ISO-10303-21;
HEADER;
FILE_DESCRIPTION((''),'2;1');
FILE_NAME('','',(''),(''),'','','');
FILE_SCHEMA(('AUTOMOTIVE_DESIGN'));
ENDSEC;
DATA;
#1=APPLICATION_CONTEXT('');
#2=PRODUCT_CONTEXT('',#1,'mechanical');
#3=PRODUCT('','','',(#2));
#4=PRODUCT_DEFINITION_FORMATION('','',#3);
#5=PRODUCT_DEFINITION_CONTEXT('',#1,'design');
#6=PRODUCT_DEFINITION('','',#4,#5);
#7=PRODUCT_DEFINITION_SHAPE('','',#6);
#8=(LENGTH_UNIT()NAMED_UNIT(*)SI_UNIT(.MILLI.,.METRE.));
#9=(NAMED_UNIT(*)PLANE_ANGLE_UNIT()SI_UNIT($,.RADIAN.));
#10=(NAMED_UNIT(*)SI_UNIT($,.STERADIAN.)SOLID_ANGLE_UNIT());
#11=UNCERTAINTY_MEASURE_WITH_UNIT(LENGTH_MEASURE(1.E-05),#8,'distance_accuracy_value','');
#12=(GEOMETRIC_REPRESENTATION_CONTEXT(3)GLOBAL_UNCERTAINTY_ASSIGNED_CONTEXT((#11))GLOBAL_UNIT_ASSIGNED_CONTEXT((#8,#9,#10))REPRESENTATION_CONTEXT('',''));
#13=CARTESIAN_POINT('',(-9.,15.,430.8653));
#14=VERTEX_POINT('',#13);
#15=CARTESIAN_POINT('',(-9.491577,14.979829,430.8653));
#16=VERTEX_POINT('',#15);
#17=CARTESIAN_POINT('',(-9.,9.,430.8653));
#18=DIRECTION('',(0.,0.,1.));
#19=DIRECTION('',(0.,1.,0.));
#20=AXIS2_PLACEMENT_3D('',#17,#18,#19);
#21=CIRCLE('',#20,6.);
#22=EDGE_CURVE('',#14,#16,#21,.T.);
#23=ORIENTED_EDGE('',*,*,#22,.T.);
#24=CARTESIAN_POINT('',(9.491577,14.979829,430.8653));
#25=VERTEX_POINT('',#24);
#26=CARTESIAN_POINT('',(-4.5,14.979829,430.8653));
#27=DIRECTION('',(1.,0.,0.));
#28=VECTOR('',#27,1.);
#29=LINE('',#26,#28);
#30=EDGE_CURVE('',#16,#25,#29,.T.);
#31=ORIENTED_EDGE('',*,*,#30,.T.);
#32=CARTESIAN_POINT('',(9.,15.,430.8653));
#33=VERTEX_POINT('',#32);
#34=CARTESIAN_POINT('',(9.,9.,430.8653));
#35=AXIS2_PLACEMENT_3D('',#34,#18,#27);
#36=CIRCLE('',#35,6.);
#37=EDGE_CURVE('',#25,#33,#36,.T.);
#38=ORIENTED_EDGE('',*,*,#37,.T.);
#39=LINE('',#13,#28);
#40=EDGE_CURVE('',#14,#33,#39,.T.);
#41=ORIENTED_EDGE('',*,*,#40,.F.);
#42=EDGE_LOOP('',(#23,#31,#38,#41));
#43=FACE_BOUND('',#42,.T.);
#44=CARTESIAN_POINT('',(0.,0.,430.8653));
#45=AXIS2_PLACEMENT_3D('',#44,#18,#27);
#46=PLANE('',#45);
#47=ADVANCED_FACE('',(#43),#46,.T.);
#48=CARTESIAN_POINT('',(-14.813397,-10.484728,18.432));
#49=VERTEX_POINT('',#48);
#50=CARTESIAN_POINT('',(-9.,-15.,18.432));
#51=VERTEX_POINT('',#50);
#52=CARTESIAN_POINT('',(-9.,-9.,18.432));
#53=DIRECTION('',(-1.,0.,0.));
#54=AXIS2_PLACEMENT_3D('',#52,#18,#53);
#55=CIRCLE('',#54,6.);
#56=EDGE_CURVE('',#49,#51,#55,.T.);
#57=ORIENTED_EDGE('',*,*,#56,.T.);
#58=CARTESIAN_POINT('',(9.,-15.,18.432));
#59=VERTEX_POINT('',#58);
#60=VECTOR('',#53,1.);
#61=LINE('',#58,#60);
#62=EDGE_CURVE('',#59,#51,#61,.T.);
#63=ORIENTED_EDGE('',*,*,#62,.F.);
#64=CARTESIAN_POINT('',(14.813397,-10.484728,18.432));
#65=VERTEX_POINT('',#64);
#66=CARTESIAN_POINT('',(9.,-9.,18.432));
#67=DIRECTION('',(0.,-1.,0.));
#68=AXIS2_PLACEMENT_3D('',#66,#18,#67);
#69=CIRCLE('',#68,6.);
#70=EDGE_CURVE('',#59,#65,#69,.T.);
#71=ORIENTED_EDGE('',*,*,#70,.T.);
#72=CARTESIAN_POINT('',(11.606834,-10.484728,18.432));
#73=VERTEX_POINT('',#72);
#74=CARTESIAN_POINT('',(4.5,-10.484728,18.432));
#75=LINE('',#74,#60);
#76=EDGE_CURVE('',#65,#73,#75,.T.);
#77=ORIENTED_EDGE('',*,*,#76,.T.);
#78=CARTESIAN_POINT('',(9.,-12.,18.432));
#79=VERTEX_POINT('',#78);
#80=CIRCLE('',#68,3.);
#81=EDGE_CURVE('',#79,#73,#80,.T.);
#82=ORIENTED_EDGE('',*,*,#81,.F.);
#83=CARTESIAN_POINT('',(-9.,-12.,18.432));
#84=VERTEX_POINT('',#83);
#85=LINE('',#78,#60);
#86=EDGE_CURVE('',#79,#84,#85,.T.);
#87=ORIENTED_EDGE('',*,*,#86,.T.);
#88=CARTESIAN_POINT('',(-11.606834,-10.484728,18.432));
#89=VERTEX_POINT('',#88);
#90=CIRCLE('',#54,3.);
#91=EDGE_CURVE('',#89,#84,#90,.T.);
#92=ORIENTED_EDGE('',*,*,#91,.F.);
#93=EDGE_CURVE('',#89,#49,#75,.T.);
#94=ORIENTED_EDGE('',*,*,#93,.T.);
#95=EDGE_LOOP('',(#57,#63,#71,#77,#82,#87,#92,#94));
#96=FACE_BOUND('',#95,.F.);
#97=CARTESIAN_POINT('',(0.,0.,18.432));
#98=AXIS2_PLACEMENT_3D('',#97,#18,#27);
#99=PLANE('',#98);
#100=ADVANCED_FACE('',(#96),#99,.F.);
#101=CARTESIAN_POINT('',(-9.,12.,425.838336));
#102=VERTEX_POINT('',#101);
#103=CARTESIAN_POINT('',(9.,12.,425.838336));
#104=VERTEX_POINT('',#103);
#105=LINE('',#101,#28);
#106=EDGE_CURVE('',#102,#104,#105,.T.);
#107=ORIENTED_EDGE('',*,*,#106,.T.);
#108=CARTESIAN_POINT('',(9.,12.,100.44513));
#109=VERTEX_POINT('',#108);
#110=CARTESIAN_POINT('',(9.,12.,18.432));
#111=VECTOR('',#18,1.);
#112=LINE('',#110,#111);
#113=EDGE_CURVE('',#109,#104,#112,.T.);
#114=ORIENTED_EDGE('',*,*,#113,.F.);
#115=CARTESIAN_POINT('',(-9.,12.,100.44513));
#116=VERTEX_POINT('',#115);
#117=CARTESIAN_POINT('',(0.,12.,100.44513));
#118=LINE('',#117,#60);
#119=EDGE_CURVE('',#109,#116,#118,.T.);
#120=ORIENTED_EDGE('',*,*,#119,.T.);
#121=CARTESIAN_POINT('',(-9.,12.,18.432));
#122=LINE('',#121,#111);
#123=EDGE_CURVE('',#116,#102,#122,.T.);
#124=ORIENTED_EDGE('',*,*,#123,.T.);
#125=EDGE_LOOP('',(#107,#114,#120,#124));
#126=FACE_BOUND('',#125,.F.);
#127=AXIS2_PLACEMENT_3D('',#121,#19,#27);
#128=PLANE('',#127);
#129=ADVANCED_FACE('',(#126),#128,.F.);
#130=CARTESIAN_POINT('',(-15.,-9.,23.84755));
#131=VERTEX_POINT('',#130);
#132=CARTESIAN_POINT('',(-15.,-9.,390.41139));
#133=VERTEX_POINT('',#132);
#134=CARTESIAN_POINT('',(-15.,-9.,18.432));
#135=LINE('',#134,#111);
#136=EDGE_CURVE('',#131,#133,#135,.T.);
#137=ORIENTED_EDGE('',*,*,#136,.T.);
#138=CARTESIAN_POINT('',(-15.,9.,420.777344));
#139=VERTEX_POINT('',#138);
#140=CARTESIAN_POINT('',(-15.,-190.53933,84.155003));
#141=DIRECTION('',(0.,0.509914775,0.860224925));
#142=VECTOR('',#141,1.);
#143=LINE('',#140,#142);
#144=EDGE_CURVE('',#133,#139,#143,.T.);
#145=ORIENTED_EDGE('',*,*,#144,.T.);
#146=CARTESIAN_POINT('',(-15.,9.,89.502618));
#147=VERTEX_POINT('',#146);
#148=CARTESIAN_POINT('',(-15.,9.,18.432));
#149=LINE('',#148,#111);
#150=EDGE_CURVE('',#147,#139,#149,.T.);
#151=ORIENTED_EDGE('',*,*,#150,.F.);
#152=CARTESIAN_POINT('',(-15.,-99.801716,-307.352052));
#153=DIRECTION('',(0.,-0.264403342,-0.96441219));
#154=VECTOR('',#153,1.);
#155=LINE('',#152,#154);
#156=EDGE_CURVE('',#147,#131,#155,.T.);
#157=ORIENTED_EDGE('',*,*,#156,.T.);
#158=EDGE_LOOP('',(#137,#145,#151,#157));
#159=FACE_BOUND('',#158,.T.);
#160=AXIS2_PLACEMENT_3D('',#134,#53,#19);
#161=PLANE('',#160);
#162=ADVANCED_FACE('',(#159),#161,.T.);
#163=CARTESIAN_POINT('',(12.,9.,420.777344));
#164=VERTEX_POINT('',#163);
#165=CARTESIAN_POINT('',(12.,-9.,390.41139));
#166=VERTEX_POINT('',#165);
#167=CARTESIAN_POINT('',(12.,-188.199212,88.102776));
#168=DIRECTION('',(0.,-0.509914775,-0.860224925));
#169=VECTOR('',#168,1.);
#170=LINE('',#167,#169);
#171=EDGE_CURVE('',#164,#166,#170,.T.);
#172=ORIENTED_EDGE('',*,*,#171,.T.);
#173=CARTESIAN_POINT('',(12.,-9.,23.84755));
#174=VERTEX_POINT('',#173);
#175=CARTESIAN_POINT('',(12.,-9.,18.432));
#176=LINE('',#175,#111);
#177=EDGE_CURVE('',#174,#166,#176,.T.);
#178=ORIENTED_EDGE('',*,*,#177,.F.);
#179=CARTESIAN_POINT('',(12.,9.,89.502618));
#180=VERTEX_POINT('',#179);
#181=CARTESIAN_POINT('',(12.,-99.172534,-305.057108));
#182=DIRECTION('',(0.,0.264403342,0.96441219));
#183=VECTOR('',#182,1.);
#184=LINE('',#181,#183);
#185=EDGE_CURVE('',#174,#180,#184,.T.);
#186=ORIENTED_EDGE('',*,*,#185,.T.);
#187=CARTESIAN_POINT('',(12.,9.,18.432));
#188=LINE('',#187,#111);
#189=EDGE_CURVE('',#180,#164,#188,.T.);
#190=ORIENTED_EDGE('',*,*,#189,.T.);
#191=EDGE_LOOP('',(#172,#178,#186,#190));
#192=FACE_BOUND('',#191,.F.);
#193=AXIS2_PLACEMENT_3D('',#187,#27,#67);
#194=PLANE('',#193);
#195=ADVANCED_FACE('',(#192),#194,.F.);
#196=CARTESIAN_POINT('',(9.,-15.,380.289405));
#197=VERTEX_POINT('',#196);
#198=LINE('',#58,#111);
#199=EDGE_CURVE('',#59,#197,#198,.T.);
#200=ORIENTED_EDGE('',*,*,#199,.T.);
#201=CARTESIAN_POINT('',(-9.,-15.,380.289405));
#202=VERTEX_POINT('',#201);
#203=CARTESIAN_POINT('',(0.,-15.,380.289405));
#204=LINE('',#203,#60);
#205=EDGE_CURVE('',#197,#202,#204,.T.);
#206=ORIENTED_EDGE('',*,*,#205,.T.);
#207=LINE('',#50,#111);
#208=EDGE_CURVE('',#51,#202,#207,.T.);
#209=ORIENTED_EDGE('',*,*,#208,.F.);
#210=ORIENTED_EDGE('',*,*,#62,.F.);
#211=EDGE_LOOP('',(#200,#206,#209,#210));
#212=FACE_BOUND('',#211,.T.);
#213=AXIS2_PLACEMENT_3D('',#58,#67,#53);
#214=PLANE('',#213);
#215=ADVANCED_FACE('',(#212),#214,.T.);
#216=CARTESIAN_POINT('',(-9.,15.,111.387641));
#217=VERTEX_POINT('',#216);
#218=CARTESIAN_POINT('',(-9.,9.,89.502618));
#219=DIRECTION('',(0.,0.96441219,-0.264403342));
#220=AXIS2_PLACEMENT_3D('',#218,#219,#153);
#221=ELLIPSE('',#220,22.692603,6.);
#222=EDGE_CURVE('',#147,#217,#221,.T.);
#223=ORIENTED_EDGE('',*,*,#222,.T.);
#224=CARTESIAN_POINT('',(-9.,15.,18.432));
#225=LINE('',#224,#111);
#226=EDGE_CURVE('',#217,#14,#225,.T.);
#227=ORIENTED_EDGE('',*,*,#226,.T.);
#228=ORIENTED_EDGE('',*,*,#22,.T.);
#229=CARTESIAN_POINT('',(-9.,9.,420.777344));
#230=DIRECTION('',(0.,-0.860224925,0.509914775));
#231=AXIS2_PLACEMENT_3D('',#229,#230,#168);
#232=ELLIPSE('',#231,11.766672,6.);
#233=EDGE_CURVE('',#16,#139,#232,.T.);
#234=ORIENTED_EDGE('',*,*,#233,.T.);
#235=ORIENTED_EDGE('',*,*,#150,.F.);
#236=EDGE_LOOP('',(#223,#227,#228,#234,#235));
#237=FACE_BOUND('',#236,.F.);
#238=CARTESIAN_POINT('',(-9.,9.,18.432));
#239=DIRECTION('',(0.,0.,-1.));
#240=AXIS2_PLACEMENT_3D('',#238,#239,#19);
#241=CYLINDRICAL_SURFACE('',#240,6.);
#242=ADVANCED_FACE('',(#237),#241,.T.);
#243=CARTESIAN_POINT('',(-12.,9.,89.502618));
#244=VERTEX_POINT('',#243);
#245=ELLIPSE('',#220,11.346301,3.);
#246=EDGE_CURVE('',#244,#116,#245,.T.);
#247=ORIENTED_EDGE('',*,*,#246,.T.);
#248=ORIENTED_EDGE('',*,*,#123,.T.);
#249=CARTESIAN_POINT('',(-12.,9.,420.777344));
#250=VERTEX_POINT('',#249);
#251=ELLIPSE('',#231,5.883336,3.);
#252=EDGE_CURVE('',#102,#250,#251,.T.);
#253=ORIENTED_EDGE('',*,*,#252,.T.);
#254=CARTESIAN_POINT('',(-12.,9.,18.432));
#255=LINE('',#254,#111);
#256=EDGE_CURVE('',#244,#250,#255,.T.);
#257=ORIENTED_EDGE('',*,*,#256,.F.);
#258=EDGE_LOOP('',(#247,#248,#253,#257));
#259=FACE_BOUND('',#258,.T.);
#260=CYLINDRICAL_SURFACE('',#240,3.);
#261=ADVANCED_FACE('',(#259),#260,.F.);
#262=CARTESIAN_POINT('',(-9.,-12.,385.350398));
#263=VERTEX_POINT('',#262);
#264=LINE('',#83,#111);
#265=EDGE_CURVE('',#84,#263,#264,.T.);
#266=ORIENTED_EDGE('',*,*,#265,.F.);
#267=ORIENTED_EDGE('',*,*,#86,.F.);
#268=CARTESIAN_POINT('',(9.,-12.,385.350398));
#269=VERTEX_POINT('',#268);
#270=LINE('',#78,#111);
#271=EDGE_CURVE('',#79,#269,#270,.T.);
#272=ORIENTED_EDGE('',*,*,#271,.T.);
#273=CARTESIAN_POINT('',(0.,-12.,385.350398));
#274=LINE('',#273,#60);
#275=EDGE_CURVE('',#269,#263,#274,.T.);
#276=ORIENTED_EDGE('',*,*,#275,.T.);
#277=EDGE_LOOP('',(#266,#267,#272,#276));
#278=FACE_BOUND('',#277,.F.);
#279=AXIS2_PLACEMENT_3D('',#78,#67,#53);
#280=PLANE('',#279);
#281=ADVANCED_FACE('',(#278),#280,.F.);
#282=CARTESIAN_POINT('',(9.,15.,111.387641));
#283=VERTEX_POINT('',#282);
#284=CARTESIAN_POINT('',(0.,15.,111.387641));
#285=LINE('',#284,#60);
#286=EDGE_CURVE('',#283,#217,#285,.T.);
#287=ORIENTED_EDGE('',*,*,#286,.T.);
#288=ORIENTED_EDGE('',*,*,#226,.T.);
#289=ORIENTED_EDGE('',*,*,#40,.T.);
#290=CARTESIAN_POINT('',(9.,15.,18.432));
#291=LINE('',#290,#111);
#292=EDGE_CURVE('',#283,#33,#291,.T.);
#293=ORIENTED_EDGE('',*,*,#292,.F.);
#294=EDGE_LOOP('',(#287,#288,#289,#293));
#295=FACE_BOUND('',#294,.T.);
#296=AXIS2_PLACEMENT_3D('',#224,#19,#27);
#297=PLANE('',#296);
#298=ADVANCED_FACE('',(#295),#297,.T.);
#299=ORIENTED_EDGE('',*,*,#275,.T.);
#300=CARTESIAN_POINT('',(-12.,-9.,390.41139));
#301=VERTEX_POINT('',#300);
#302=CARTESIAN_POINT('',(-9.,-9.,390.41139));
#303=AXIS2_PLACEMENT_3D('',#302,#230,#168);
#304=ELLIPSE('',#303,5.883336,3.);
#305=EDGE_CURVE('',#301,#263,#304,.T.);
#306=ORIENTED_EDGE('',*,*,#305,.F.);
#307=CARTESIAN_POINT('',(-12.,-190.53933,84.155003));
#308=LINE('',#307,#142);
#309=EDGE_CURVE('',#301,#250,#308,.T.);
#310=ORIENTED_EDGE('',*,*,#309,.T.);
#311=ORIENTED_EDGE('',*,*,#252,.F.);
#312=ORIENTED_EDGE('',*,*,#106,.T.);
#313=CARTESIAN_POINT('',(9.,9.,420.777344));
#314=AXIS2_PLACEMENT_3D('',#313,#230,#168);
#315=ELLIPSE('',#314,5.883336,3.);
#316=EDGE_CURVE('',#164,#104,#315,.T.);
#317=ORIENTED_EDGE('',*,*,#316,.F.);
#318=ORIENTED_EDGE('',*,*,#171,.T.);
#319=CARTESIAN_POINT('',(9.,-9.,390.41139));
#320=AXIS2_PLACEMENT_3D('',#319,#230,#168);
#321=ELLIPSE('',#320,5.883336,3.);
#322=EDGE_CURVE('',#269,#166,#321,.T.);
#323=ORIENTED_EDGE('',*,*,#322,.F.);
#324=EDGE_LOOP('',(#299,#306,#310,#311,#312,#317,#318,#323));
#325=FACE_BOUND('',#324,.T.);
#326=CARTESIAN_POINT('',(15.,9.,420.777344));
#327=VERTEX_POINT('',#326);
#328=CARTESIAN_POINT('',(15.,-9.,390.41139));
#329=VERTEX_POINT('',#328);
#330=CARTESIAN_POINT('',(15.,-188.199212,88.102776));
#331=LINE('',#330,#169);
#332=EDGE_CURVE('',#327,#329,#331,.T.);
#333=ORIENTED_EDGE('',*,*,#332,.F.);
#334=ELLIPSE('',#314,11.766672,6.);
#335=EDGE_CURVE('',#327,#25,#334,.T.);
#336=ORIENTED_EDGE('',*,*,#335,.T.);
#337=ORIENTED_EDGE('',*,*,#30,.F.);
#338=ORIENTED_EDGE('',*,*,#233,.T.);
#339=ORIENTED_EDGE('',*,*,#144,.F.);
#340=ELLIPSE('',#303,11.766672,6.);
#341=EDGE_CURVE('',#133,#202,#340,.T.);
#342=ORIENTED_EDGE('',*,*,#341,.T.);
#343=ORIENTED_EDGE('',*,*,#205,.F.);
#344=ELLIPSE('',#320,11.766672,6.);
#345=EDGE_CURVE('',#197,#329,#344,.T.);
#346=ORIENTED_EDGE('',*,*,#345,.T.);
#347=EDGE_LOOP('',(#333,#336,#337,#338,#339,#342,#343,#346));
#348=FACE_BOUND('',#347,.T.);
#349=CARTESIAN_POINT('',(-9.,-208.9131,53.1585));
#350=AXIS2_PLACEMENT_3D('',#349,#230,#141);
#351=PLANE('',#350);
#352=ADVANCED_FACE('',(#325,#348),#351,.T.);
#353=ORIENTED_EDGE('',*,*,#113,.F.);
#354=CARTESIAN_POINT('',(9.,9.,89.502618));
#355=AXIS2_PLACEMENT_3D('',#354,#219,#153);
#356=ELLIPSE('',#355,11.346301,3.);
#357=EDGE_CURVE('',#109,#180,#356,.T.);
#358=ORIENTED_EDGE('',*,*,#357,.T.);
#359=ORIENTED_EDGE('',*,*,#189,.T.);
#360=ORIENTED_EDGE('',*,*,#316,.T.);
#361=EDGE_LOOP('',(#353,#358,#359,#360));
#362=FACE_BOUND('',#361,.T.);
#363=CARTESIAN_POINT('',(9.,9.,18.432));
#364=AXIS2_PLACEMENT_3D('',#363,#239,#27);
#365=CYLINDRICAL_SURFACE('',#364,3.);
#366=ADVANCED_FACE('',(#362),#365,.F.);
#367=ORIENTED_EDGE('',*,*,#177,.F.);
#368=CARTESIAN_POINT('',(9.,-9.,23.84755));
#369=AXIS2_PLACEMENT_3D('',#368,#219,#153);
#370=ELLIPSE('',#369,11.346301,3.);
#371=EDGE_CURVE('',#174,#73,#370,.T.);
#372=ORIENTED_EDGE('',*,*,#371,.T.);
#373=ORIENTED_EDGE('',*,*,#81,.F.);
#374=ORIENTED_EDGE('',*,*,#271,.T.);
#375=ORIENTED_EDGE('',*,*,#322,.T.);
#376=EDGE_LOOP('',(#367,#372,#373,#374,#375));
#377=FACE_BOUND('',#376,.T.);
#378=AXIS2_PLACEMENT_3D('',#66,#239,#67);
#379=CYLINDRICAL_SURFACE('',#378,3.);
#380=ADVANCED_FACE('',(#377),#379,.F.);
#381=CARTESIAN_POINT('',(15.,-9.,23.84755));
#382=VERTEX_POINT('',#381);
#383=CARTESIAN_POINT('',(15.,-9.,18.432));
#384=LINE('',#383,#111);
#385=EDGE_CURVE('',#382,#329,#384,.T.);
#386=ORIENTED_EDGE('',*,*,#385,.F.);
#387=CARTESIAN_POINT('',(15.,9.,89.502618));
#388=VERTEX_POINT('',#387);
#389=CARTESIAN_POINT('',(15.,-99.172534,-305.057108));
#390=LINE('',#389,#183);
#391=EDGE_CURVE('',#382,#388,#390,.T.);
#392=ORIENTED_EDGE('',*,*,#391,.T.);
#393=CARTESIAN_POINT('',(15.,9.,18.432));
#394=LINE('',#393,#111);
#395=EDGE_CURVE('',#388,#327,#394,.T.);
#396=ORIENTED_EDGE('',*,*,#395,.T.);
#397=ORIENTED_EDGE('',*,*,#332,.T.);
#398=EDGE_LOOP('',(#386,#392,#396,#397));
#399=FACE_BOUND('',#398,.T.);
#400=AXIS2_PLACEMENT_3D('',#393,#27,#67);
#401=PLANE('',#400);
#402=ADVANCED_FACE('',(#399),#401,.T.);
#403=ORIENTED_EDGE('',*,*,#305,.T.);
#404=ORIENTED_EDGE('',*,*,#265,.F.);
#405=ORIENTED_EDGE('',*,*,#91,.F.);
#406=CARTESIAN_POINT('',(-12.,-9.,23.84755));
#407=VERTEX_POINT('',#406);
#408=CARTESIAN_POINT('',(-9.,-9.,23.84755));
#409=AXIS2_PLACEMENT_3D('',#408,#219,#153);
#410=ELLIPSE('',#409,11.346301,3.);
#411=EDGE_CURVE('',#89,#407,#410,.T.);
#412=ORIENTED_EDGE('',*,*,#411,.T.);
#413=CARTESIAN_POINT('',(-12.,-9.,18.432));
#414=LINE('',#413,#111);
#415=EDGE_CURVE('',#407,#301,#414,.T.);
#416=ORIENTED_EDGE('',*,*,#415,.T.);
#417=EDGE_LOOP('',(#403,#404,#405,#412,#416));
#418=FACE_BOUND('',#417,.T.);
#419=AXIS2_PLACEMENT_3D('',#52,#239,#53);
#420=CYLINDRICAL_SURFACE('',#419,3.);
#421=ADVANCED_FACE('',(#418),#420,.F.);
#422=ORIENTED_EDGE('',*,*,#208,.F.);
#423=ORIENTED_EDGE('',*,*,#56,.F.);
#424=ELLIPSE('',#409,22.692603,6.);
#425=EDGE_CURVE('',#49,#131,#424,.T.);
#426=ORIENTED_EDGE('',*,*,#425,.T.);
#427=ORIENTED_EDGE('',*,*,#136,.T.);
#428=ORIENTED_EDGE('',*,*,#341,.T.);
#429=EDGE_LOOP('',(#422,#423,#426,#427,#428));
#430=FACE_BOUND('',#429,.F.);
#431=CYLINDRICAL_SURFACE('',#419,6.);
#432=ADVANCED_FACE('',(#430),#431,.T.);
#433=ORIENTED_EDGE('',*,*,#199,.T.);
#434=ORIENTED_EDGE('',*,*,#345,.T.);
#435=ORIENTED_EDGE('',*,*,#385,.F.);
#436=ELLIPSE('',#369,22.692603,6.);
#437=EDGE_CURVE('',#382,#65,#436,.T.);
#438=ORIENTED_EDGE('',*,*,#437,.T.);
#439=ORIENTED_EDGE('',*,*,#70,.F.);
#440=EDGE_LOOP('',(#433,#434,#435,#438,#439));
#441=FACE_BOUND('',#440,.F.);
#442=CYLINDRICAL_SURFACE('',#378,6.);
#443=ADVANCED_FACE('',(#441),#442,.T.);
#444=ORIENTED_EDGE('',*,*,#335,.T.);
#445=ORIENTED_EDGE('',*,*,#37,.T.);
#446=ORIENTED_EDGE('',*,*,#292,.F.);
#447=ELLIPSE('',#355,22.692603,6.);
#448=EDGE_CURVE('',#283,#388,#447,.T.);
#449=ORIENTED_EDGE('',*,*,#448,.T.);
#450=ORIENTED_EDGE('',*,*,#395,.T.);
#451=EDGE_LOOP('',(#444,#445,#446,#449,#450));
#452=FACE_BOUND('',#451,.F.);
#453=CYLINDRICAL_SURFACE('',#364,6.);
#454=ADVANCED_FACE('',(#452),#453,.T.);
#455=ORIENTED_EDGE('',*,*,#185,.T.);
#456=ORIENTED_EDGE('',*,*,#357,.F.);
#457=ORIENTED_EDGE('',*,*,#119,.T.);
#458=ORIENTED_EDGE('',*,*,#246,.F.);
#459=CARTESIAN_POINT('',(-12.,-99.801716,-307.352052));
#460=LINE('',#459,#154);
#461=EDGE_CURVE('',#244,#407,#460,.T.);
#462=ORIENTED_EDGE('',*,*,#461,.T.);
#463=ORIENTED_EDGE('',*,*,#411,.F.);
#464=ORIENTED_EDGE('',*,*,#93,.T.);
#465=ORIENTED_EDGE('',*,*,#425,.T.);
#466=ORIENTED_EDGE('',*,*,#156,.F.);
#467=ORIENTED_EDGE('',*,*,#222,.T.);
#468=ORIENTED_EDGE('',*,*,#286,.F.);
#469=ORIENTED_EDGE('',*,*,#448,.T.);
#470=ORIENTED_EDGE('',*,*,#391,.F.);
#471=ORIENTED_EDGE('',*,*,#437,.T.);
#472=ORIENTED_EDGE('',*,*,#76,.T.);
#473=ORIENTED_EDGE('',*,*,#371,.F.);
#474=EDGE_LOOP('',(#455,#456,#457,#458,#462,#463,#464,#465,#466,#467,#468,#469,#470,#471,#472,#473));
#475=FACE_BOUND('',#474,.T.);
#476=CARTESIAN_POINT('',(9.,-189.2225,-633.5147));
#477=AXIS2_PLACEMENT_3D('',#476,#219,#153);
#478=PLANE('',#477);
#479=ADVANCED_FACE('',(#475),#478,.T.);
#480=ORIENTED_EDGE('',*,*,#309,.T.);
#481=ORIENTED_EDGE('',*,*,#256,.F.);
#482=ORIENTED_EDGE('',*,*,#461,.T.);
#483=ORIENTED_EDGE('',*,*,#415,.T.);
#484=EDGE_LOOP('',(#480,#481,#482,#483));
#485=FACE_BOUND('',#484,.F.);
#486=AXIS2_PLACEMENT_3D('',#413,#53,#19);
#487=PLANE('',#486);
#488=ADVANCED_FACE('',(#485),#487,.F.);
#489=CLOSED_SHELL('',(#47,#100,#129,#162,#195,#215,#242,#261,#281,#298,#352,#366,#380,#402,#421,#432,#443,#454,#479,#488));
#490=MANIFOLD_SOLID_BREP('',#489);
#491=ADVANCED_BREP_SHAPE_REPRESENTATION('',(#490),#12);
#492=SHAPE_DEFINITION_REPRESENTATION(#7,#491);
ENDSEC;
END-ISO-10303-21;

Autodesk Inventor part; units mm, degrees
ref_plane "Start Plane" through (0, 0, 18.432) normal (0, 0, 1) x (1, 0, 0)
ref_plane "End Plane" through (0, 0, 430.8653) normal (0, 0, 1) x (1, 0, 0)
sketch "Sketch" plane through (0, 0, 0) normal (0, 0, 1) x (1, 0, 0)
  line L0 (-15, -9) -> (-15, 9)
  line L1 (-9, 15) -> (9, 15)
  line L2 (15, 9) -> (15, -9)
  line L3 (9, -15) -> (-9, -15)
  arc A0 (-15, -9) -> (-9, -15) centre (-9, -9) ccw
  arc A1 (-9, 15) -> (-15, 9) centre (-9, 9) ccw
  arc A2 (15, 9) -> (9, 15) centre (9, 9) ccw
  arc A3 (9, -15) -> (15, -9) centre (9, -9) ccw
  arc A4 (-9, 12) -> (-12, 9) centre (-9, 9) ccw
  line L4 (-9, 12) -> (9, 12)
  arc A5 (12, 9) -> (9, 12) centre (9, 9) ccw
  line L5 (12, 9) -> (12, -9)
  arc A6 (9, -12) -> (12, -9) centre (9, -9) ccw
  line L6 (9, -12) -> (-9, -12)
  arc A7 (-12, -9) -> (-9, -12) centre (-9, -9) ccw
  line L7 (-12, -9) -> (-12, 9)
  line L8 (0, 22.7397) -> (0, -22.7397) construction
  line L9 (-22.7397, 0) -> (22.7397, 0) construction
  dimension "d7" = 6
  dimension "d10" = 30
  dimension "d11" = 30
  dimension "d12" = 3
  dimension "d15" = 15
  dimension "d16" = 15
extrude "Body" add sketch "Sketch" along normal up to surface (412.4333 mm away) from surface at 18.432
sketch "Sketch3" plane through (0, 0, 0) normal (0, 0, 1) x (1, 0, 0)
  line L0 (0, 0) -> (10, 0)
ref_plane "Work Plane3" through (0, 0, 0) normal (0, -1, 0) x (1, 0, 0)
ref_plane "Work Plane4" through (9, -189.2225, -633.5147) normal (0, 0.9644, -0.2644) x (1, 0, 0)
split "Split1" plane through (9, -189.2225, -633.5147) removes the side toward (0, 0.9644, -0.2644)
ref_plane "Work Plane5" through (-9, -208.9131, 53.1585) normal (0, -0.8602, 0.5099) x (1, 0, 0)
split "Split2" plane through (-9, -208.9131, 53.1585) removes the side toward (0, -0.8602, 0.5099)
sketch "Sketch4" plane through (0, 0, 0) normal (0, -1, 0) x (1, 0, 0)
  line L0 (-2, 18.432) -> (12, 18.432) projected
  line L1 (-2, 430.8653) -> (12, 430.8653) projected
  dimension "d18" = 412.4333
equation "\"d7\" = G_IR"
equation "\"d10\" = G_H"
equation "\"d11\" = G_W"
equation "\"d12\" = G_T"
equation "\"d15\" = 0.5 * d10"
equation "\"d16\" = 0.5 * d11"
equation "\"d3\" = G_L"
equation "\"G_W\" = 30"
equation "\"G_H\" = 30"
equation "\"G_T\" = 3"
equation "\"G_IR\" = 6"
equation "\"G_L\" = d18"
equation "\"G_OFFSET_START\" = -18.432"
equation "\"G_OFFSET_END\" = -4.11204"
equation "\"d13\" = -G_OFFSET_START"
equation "\"d14\" = G_OFFSET_END + B_L"
equation "\"B_L\" = 434.9773"
properties part number "DIN EN 10219-2 - 30 x 30 x 3  - 412.43" material "Steel, Mild"
